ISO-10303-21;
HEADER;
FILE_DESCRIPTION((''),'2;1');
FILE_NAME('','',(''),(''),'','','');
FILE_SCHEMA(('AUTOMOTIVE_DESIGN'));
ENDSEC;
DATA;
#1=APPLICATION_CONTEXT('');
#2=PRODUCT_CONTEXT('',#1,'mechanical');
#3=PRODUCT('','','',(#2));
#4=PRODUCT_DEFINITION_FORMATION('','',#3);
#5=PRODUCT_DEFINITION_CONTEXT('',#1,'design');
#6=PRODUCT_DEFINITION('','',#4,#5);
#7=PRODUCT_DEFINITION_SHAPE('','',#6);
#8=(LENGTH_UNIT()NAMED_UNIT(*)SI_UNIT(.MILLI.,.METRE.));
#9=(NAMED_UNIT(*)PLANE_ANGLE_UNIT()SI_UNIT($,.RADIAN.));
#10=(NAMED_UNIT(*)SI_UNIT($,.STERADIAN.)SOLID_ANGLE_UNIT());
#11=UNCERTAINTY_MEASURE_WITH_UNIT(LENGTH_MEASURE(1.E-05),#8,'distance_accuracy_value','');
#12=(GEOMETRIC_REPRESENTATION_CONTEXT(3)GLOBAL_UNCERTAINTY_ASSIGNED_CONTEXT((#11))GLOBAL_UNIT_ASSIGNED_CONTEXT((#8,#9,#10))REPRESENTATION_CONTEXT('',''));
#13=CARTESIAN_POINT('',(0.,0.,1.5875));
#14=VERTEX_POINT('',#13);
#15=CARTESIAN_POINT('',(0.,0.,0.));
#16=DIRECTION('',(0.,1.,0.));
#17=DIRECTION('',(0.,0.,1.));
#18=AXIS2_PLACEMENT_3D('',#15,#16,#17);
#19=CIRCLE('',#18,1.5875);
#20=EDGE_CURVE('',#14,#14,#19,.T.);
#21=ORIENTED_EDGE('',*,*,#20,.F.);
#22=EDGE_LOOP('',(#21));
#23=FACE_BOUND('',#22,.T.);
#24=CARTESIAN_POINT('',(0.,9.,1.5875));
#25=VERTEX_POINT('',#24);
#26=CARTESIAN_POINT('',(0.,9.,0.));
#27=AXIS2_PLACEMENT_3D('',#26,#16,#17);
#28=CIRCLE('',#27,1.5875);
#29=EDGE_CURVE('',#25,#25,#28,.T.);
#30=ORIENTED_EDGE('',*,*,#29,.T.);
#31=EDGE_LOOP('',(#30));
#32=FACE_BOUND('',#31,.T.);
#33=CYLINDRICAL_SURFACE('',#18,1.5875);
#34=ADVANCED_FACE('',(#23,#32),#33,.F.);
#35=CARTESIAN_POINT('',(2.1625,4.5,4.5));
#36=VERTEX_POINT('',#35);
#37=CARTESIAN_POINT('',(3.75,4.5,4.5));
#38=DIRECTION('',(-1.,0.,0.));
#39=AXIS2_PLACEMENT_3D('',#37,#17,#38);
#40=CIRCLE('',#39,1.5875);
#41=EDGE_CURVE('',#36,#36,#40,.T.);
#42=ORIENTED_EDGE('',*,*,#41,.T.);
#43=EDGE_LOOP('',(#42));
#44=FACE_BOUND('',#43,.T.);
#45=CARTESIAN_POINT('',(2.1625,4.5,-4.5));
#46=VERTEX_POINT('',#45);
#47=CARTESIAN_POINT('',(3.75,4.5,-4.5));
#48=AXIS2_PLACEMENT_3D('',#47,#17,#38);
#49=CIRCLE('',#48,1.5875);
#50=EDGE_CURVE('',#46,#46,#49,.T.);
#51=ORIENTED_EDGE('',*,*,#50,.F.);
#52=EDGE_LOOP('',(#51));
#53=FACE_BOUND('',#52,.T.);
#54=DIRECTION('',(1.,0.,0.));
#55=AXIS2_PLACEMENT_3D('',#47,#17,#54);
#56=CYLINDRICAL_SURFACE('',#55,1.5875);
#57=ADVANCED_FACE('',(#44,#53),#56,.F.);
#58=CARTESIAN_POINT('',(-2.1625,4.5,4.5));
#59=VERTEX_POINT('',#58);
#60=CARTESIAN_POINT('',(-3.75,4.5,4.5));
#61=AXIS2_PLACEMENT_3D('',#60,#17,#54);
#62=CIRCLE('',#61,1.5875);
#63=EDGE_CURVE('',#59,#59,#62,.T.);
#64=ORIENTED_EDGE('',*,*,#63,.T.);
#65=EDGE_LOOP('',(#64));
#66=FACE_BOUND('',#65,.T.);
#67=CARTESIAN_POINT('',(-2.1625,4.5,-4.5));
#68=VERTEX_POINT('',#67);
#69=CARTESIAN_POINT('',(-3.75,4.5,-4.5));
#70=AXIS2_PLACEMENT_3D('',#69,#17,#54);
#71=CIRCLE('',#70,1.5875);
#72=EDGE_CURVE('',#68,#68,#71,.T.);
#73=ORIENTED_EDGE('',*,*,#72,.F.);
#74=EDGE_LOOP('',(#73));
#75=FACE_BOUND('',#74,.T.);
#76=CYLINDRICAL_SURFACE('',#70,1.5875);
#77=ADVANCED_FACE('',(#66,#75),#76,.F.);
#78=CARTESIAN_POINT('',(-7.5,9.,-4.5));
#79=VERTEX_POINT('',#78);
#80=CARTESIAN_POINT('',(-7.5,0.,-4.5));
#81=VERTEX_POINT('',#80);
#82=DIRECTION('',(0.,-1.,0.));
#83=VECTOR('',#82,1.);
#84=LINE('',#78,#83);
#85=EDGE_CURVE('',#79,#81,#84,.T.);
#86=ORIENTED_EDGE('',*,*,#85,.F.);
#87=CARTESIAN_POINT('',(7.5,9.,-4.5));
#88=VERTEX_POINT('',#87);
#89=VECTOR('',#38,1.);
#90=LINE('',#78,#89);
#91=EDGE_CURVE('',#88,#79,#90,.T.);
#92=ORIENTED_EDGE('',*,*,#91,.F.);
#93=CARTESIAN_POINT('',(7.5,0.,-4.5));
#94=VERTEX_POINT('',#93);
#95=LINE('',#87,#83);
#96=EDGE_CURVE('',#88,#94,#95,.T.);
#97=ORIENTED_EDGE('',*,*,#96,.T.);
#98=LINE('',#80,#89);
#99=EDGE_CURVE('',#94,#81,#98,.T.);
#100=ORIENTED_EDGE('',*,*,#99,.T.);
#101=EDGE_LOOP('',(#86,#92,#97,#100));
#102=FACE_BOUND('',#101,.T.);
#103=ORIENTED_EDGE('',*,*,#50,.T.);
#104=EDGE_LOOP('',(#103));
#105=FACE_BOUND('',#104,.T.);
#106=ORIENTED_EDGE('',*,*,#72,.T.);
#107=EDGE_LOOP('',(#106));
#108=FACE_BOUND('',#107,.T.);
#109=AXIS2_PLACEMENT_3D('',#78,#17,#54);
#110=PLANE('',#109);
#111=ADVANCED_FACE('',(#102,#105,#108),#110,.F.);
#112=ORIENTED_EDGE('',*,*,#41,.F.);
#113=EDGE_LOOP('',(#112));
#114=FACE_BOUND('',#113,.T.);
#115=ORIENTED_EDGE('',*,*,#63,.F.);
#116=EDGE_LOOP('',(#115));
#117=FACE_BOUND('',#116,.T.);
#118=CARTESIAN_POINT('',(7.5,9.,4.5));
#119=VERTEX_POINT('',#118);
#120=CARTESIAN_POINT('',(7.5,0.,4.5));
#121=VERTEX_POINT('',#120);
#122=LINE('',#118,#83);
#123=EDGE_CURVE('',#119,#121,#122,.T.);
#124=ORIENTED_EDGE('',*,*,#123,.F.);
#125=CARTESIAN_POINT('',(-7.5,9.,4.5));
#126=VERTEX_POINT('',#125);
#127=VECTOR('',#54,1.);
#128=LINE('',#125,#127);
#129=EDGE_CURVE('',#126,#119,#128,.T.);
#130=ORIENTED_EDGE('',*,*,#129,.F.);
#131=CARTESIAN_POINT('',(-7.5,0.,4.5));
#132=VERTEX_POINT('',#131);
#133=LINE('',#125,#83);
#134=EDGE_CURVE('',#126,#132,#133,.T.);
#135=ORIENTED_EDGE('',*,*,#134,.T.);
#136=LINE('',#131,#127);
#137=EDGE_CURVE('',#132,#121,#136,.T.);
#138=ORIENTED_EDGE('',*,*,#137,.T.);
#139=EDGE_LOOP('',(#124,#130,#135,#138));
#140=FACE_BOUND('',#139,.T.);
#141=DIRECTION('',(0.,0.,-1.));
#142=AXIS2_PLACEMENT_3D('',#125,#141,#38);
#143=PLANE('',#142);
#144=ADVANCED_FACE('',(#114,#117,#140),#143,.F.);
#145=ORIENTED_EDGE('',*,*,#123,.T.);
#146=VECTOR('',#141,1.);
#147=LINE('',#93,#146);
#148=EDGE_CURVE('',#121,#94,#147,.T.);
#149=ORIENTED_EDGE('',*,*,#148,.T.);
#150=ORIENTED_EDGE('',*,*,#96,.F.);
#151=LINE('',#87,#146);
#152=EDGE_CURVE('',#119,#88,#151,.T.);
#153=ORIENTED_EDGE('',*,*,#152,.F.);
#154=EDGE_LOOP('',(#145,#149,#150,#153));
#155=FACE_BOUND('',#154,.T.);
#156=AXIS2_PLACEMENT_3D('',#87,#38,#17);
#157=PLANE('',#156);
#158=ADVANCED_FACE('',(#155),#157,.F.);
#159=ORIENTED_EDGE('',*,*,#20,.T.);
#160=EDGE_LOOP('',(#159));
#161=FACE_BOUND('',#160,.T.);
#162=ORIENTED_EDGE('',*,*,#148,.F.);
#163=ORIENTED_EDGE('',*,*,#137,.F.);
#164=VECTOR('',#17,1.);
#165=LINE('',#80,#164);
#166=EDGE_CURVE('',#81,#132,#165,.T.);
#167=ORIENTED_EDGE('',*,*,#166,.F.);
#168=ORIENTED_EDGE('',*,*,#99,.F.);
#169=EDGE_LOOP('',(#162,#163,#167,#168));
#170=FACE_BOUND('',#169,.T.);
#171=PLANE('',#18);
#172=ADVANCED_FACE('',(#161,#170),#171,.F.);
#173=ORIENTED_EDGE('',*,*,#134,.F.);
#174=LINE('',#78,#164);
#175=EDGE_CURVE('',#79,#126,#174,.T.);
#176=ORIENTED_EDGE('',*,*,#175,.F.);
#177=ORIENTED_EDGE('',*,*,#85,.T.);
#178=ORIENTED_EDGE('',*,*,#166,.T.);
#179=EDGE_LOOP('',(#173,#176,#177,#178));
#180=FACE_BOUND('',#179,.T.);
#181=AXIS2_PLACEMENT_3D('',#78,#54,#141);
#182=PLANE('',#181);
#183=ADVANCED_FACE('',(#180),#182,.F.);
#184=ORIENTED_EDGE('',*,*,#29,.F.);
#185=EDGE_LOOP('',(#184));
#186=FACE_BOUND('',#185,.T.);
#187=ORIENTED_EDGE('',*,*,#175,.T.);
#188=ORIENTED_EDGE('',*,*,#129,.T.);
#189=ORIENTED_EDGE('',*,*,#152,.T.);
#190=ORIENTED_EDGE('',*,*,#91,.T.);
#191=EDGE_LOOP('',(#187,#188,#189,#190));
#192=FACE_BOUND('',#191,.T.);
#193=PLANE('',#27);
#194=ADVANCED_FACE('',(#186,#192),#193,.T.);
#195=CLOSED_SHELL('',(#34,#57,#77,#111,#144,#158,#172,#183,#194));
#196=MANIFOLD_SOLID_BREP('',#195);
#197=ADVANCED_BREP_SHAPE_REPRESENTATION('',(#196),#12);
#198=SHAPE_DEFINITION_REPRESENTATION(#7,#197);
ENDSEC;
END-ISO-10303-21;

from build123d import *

# Parameters (mm, degrees)
SKETCH1_W           = 15
SKETCH1_H           = 9
BOSS_EXTRUDE1_DEPTH = 9
SKETCH2_R           = 1.5875
CUT_EXTRUDE1_DEPTH  = 13.549900398
SKETCH3_R           = 1.5875
CUT_EXTRUDE2_DEPTH  = 15.773286703


with BuildPart() as part:
    # Sketch1 → Boss-Extrude1 (new body)
    with BuildSketch(Plane(origin=(0, 0, 0), x_dir=(1, 0, 0), z_dir=(0, 1, 0))):
        Rectangle(SKETCH1_W, SKETCH1_H)
    extrude(amount=BOSS_EXTRUDE1_DEPTH)

    # Sketch2 → Cut-Extrude1 (cut, through all)
    with BuildSketch(Plane(origin=(0, 9, 0), x_dir=(1, 0, 0), z_dir=(0, 1, 0))):
        with Locations(Location((0, 0, 0), (0, 0, 270))):
            Circle(SKETCH2_R)
    extrude(amount=-CUT_EXTRUDE1_DEPTH, mode=Mode.SUBTRACT)

    # Sketch3 → Cut-Extrude2 (cut, through all)
    with BuildSketch(Plane.XY.offset(4.5)):
        with Locations((-3.75, 4.5)):
            Circle(SKETCH3_R)
        with Locations(Location((3.75, 4.5, 0), (0, 0, 180))):
            Circle(SKETCH3_R)
    extrude(amount=-CUT_EXTRUDE2_DEPTH, mode=Mode.SUBTRACT)


solid = part.part
